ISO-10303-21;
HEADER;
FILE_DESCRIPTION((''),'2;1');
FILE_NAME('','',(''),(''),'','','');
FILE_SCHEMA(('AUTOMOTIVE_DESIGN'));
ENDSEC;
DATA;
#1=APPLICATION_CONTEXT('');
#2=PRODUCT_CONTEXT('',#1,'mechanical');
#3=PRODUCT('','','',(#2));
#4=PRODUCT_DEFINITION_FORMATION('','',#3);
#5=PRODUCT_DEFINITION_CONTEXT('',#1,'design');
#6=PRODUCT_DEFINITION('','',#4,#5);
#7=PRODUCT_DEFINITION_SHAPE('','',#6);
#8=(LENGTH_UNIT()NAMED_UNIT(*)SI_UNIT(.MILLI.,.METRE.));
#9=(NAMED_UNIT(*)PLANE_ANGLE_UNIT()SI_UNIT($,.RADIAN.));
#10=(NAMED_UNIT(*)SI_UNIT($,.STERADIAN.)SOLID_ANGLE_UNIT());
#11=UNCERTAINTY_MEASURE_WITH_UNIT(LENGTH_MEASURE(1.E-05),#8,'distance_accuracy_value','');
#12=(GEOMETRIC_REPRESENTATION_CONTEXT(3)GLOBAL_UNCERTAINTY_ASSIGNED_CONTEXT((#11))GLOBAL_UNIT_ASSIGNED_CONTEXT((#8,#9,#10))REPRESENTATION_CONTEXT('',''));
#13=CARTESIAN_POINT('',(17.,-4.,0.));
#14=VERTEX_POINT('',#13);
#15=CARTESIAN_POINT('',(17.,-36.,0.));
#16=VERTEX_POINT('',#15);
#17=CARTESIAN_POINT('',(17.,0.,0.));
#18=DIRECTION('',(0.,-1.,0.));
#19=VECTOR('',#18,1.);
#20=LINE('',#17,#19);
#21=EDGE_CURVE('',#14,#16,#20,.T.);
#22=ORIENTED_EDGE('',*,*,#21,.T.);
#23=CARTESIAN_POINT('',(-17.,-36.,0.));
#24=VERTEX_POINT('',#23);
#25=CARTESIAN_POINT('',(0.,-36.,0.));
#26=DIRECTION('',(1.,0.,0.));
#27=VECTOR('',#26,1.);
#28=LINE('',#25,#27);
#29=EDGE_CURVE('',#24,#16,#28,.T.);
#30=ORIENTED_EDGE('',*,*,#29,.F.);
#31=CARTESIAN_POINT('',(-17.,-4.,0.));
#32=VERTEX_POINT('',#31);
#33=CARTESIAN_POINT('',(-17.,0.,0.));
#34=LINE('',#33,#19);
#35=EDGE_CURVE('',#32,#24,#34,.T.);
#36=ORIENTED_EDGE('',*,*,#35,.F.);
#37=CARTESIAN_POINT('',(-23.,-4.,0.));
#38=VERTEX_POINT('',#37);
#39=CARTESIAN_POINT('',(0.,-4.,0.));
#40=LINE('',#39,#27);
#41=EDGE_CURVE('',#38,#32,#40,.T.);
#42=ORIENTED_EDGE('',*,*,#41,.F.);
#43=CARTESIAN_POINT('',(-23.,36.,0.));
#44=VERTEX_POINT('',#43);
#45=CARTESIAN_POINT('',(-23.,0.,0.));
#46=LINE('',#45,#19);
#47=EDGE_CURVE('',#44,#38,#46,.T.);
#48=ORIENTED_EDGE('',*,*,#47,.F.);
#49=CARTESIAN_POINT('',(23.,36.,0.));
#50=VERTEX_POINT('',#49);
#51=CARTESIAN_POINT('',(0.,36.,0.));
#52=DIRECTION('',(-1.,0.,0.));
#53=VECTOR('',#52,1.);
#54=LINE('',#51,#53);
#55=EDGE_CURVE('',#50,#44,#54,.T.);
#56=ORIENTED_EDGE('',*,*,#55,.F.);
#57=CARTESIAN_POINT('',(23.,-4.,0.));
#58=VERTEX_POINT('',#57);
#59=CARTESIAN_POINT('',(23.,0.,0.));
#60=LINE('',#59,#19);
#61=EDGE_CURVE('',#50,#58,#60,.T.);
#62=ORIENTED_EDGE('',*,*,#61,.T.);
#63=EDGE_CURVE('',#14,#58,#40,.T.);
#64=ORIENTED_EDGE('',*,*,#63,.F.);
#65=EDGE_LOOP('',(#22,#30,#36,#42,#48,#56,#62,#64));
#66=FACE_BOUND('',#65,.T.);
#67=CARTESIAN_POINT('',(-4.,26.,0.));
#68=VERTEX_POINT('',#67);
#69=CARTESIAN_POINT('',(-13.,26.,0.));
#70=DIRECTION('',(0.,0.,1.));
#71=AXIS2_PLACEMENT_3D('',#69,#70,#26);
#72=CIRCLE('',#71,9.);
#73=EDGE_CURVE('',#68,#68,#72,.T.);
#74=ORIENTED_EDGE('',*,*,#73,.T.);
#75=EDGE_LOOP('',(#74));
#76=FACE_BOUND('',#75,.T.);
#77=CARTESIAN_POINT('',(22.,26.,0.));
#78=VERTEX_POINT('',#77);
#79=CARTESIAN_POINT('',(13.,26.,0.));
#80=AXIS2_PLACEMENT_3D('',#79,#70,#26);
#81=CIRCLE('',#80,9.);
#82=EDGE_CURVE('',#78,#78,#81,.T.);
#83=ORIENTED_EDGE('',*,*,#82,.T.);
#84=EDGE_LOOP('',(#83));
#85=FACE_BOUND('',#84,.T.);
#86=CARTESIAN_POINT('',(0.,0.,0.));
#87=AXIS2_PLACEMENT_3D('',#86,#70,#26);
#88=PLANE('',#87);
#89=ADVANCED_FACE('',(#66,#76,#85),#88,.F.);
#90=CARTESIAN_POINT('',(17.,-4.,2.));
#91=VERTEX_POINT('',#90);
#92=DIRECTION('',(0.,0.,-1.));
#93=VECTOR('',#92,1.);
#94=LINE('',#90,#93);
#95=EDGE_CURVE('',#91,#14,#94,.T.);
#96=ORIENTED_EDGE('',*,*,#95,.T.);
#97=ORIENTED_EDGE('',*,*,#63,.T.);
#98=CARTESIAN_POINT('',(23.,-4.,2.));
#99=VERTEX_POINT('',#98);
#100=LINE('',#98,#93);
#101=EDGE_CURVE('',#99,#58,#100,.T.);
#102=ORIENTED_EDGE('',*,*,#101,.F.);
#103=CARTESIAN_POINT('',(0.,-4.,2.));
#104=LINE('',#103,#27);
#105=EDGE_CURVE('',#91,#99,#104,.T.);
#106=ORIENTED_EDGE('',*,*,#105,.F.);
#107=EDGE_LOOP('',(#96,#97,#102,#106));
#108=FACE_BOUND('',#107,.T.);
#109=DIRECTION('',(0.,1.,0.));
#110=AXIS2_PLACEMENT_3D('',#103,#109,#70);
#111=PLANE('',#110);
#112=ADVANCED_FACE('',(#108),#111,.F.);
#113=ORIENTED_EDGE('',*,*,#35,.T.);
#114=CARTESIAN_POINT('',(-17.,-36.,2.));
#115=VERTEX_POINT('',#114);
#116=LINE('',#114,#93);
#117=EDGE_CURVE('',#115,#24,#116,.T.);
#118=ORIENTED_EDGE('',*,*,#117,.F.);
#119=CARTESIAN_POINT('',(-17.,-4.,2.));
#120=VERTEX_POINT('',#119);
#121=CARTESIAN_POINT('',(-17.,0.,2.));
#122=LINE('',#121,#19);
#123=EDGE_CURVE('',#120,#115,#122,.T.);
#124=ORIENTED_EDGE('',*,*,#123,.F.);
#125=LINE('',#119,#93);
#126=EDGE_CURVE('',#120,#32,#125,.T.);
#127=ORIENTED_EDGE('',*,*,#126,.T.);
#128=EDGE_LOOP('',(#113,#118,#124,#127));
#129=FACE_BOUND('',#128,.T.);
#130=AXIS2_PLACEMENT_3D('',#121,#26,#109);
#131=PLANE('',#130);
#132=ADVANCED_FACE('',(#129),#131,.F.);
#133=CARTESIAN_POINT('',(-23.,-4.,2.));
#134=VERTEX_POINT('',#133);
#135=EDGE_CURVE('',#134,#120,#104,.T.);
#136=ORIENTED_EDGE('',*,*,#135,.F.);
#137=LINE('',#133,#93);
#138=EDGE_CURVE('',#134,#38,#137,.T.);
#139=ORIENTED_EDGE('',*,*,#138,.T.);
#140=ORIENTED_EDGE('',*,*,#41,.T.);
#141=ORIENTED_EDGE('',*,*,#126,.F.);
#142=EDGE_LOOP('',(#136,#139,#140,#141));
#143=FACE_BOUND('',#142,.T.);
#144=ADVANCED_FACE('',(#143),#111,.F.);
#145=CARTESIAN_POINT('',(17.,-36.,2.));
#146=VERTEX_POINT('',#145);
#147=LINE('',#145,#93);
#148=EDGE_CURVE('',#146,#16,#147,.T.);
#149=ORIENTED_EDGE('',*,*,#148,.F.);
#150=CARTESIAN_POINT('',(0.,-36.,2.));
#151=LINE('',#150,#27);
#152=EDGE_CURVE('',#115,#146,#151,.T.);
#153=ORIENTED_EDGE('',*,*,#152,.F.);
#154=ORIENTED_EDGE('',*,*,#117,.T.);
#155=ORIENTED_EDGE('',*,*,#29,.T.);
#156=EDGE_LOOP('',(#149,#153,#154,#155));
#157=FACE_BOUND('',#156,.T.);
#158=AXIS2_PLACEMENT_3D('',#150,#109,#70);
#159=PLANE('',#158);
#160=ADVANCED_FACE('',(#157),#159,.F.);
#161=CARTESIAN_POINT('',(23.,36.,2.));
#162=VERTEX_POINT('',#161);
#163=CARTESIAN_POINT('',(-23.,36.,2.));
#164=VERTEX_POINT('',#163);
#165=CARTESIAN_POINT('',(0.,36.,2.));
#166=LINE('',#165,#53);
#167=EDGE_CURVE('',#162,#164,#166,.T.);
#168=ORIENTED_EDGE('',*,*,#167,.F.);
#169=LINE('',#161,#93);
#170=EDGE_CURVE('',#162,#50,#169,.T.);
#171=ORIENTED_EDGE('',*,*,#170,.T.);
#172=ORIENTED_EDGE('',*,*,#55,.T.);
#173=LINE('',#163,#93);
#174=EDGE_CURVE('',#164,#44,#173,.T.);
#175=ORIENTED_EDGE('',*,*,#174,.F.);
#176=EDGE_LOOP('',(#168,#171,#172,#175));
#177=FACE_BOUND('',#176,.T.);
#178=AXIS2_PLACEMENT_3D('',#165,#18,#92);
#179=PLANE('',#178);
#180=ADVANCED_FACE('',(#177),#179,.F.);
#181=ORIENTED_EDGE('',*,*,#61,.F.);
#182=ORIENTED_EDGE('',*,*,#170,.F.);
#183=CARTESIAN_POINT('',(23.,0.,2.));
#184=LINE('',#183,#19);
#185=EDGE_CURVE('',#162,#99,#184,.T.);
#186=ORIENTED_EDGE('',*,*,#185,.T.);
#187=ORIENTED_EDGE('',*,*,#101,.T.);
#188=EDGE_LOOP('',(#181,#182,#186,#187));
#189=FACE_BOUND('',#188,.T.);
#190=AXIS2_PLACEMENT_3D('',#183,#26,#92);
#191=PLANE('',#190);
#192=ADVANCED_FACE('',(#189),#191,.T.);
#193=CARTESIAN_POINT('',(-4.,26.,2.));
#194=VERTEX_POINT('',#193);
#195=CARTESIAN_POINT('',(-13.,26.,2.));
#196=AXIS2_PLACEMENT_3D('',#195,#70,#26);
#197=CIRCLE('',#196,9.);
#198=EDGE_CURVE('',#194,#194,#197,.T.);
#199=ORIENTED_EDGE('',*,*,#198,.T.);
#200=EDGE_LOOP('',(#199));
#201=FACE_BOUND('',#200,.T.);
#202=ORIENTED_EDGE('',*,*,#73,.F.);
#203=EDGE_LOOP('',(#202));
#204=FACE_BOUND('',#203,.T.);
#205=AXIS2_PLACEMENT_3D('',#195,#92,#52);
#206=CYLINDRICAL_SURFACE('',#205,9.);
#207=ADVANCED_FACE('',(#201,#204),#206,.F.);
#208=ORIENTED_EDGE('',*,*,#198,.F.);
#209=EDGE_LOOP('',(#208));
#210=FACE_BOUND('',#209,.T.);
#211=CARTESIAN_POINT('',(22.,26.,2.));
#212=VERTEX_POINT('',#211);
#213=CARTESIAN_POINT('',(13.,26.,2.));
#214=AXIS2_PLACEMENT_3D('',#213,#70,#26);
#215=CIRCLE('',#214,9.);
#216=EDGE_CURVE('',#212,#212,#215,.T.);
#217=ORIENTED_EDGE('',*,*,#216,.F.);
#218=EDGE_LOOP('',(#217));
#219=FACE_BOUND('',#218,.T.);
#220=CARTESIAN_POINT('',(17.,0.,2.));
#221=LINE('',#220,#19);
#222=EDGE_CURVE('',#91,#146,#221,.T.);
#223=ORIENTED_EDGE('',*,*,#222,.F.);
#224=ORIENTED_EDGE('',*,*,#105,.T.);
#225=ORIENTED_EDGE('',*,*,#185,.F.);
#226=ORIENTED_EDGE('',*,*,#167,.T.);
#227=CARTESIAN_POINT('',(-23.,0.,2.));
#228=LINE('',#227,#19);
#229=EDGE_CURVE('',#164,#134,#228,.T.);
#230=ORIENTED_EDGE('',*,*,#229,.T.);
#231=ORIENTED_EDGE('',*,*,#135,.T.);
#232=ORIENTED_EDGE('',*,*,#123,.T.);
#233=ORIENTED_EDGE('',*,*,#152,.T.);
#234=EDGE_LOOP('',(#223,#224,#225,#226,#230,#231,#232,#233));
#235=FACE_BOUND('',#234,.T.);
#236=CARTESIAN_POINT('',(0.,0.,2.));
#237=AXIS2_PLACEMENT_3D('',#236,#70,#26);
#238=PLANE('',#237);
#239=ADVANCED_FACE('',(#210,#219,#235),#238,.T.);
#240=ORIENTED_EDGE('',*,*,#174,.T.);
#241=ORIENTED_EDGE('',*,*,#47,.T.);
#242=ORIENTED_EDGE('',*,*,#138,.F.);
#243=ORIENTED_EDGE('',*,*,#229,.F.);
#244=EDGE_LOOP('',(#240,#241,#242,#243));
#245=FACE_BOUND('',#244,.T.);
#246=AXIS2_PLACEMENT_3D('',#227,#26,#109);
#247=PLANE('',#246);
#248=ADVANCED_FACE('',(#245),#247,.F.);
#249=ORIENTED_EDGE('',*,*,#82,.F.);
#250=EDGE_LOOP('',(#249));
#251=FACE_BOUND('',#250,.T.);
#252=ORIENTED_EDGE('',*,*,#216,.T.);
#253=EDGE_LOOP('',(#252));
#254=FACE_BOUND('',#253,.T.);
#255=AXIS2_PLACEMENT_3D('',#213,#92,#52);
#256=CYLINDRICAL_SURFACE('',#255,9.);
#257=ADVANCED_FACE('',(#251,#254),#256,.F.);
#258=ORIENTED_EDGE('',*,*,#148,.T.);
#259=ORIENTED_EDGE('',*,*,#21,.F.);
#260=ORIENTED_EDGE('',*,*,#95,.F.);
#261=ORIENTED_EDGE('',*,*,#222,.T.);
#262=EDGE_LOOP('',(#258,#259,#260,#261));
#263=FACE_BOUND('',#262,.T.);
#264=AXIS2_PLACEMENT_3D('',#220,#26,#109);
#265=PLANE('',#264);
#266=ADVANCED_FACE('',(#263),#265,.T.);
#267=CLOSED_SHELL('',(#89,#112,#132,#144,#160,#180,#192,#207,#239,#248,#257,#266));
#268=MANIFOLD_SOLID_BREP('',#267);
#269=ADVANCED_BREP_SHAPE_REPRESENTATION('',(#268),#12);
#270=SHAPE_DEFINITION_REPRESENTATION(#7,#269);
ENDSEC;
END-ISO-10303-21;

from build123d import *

# Parameters (mm, degrees)
SKETCH1_R           = 9
BOSS_EXTRUDE1_DEPTH = 2


with BuildPart() as part:
    # Sketch1 → Boss-Extrude1 (new body)
    with BuildSketch(Plane.XY):
        Polygon((-23, -4), (-17, -4), (-17, -36), (17, -36), (17, -4), (23, -4), (23, 36), (-23, 36), align=None)
        with Locations((-13, 26)):
            Circle(SKETCH1_R, mode=Mode.SUBTRACT)
        with Locations((13, 26)):
            Circle(SKETCH1_R, mode=Mode.SUBTRACT)
    extrude(amount=BOSS_EXTRUDE1_DEPTH)


solid = part.part
